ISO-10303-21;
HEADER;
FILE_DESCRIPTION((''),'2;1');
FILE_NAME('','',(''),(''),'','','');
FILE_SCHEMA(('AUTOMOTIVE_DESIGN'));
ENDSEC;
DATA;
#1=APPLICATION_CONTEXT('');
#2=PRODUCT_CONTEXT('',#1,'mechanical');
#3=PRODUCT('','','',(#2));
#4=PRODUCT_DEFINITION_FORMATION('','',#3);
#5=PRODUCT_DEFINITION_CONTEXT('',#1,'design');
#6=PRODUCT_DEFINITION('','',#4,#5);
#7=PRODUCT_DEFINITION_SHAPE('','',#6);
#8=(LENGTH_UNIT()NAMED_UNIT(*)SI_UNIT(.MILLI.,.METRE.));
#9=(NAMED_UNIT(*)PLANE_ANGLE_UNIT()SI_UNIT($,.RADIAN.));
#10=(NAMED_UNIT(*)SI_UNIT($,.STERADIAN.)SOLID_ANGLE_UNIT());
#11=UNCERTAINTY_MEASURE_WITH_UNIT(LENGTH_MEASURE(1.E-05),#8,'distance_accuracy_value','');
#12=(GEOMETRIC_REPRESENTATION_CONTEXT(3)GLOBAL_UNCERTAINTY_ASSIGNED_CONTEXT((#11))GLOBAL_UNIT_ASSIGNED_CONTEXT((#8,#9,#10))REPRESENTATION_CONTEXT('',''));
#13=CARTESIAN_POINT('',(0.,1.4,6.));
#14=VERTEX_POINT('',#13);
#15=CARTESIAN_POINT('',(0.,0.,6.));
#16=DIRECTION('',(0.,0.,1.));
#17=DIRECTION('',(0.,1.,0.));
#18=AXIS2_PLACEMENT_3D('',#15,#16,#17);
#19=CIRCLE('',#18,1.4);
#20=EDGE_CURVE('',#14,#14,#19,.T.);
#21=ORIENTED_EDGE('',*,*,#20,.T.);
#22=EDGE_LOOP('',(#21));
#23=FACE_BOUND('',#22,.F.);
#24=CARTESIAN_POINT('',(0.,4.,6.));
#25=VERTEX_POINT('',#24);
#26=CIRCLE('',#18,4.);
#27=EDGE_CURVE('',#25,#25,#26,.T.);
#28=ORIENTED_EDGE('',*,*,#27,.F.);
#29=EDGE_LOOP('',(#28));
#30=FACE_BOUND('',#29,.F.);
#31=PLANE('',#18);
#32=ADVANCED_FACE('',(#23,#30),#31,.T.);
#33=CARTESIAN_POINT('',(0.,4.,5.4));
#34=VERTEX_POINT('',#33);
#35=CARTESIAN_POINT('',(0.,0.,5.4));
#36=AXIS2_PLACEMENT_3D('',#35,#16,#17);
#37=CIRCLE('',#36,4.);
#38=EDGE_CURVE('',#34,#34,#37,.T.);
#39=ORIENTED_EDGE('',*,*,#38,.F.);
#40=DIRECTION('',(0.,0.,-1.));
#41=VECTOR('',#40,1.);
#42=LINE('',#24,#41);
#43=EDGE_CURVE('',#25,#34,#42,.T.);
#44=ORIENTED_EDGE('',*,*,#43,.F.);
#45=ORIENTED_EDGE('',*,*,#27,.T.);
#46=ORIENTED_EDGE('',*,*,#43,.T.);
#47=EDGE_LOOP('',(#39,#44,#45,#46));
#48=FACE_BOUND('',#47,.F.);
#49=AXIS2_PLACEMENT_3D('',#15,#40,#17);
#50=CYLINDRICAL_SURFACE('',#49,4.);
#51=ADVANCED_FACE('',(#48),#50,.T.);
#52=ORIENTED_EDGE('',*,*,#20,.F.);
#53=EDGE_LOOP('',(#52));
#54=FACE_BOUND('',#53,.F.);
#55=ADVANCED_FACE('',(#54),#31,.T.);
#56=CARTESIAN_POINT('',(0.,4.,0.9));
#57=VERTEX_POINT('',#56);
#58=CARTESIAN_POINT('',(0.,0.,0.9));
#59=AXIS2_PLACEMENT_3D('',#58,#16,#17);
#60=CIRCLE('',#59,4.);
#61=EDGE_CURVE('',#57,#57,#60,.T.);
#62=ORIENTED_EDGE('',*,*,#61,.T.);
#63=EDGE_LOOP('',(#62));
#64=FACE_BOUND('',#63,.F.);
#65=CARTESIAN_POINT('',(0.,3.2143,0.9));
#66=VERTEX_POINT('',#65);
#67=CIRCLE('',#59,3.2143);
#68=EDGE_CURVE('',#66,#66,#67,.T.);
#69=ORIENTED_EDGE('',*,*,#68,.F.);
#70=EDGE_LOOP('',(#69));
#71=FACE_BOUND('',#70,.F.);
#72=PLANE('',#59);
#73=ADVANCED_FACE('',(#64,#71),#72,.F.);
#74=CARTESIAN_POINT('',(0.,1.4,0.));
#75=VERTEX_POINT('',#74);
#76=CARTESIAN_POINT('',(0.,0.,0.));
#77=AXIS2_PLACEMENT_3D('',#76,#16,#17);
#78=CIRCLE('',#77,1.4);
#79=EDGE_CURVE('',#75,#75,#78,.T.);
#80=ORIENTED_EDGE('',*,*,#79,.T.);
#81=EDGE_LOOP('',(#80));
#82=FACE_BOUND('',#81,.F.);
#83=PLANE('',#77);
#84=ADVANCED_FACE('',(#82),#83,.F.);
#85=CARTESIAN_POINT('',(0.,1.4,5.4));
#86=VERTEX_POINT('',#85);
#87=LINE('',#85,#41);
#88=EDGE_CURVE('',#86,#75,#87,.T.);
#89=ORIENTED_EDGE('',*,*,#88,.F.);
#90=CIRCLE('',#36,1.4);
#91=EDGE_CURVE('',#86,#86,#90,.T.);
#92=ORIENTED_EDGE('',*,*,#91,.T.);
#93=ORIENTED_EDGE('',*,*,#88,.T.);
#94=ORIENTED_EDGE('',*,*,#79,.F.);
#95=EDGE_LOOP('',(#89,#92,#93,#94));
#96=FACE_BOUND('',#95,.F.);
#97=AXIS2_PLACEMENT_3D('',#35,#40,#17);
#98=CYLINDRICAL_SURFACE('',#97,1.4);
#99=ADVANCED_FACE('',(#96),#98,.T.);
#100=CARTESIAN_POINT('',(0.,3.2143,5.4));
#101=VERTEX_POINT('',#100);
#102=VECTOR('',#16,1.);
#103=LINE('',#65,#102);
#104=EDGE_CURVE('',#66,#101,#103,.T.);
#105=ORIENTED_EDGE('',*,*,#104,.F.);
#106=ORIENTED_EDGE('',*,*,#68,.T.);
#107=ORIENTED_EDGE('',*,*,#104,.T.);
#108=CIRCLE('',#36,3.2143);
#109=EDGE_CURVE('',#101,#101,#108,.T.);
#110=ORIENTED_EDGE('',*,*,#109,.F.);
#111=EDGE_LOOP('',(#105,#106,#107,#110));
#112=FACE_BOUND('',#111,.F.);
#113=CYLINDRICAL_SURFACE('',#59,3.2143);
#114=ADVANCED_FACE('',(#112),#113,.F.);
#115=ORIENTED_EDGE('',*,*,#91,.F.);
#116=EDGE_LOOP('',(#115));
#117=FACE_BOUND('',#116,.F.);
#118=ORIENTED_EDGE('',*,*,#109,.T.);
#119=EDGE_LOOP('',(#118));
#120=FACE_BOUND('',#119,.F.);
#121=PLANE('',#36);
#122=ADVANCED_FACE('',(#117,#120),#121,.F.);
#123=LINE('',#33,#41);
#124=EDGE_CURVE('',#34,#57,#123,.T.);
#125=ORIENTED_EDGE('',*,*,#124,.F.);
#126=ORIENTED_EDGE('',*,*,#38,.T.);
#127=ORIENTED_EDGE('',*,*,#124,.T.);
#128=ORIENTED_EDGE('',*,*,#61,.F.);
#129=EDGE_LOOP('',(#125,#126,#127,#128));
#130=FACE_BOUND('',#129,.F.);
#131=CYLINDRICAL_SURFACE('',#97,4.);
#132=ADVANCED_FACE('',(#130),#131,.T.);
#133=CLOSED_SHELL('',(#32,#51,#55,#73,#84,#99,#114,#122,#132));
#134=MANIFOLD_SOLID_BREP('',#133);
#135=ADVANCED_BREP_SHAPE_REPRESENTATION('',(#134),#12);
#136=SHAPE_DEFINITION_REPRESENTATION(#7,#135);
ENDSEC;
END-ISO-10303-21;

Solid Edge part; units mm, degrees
sketch "Sketch1" plane through (0, 0, 0) normal (1, 0, 0) x (0, 1, 0)
  line L0 (4, 5.4) -> (4, 0.9)
  line L1 (4, 0.9) -> (3.2143, 0.9)
  line L2 (3.2143, 0.9) -> (3.2143, 5.4)
  line L3 (3.2143, 5.4) -> (1.4, 5.4)
  line L4 (1.4, 5.4) -> (1.4, 0)
  line L5 (1.4, 0) -> (0, 0)
  line L6 (0, 0) -> (0, 6)
  line L7 (0, 6) -> (1.4, 6)
  line L8 (1.4, 6) -> (4, 6)
  line L9 (4, 6) -> (4, 5.4)
  dimension "D1" = 29.1354
  dimension "D2" = 0.7857
  dimension "D3" = 2.6
  dimension "D4" = 4.5
  dimension "D5" = 1.8143
  dimension "D6" = 5.4
  dimension "D7" = 1.4
  dimension "D8" = 6
revolve "RevolvedProtrusion1" add sketch "Sketch1" angle 360 about axis through (0, 0, 0) along (0, 0, 1)
